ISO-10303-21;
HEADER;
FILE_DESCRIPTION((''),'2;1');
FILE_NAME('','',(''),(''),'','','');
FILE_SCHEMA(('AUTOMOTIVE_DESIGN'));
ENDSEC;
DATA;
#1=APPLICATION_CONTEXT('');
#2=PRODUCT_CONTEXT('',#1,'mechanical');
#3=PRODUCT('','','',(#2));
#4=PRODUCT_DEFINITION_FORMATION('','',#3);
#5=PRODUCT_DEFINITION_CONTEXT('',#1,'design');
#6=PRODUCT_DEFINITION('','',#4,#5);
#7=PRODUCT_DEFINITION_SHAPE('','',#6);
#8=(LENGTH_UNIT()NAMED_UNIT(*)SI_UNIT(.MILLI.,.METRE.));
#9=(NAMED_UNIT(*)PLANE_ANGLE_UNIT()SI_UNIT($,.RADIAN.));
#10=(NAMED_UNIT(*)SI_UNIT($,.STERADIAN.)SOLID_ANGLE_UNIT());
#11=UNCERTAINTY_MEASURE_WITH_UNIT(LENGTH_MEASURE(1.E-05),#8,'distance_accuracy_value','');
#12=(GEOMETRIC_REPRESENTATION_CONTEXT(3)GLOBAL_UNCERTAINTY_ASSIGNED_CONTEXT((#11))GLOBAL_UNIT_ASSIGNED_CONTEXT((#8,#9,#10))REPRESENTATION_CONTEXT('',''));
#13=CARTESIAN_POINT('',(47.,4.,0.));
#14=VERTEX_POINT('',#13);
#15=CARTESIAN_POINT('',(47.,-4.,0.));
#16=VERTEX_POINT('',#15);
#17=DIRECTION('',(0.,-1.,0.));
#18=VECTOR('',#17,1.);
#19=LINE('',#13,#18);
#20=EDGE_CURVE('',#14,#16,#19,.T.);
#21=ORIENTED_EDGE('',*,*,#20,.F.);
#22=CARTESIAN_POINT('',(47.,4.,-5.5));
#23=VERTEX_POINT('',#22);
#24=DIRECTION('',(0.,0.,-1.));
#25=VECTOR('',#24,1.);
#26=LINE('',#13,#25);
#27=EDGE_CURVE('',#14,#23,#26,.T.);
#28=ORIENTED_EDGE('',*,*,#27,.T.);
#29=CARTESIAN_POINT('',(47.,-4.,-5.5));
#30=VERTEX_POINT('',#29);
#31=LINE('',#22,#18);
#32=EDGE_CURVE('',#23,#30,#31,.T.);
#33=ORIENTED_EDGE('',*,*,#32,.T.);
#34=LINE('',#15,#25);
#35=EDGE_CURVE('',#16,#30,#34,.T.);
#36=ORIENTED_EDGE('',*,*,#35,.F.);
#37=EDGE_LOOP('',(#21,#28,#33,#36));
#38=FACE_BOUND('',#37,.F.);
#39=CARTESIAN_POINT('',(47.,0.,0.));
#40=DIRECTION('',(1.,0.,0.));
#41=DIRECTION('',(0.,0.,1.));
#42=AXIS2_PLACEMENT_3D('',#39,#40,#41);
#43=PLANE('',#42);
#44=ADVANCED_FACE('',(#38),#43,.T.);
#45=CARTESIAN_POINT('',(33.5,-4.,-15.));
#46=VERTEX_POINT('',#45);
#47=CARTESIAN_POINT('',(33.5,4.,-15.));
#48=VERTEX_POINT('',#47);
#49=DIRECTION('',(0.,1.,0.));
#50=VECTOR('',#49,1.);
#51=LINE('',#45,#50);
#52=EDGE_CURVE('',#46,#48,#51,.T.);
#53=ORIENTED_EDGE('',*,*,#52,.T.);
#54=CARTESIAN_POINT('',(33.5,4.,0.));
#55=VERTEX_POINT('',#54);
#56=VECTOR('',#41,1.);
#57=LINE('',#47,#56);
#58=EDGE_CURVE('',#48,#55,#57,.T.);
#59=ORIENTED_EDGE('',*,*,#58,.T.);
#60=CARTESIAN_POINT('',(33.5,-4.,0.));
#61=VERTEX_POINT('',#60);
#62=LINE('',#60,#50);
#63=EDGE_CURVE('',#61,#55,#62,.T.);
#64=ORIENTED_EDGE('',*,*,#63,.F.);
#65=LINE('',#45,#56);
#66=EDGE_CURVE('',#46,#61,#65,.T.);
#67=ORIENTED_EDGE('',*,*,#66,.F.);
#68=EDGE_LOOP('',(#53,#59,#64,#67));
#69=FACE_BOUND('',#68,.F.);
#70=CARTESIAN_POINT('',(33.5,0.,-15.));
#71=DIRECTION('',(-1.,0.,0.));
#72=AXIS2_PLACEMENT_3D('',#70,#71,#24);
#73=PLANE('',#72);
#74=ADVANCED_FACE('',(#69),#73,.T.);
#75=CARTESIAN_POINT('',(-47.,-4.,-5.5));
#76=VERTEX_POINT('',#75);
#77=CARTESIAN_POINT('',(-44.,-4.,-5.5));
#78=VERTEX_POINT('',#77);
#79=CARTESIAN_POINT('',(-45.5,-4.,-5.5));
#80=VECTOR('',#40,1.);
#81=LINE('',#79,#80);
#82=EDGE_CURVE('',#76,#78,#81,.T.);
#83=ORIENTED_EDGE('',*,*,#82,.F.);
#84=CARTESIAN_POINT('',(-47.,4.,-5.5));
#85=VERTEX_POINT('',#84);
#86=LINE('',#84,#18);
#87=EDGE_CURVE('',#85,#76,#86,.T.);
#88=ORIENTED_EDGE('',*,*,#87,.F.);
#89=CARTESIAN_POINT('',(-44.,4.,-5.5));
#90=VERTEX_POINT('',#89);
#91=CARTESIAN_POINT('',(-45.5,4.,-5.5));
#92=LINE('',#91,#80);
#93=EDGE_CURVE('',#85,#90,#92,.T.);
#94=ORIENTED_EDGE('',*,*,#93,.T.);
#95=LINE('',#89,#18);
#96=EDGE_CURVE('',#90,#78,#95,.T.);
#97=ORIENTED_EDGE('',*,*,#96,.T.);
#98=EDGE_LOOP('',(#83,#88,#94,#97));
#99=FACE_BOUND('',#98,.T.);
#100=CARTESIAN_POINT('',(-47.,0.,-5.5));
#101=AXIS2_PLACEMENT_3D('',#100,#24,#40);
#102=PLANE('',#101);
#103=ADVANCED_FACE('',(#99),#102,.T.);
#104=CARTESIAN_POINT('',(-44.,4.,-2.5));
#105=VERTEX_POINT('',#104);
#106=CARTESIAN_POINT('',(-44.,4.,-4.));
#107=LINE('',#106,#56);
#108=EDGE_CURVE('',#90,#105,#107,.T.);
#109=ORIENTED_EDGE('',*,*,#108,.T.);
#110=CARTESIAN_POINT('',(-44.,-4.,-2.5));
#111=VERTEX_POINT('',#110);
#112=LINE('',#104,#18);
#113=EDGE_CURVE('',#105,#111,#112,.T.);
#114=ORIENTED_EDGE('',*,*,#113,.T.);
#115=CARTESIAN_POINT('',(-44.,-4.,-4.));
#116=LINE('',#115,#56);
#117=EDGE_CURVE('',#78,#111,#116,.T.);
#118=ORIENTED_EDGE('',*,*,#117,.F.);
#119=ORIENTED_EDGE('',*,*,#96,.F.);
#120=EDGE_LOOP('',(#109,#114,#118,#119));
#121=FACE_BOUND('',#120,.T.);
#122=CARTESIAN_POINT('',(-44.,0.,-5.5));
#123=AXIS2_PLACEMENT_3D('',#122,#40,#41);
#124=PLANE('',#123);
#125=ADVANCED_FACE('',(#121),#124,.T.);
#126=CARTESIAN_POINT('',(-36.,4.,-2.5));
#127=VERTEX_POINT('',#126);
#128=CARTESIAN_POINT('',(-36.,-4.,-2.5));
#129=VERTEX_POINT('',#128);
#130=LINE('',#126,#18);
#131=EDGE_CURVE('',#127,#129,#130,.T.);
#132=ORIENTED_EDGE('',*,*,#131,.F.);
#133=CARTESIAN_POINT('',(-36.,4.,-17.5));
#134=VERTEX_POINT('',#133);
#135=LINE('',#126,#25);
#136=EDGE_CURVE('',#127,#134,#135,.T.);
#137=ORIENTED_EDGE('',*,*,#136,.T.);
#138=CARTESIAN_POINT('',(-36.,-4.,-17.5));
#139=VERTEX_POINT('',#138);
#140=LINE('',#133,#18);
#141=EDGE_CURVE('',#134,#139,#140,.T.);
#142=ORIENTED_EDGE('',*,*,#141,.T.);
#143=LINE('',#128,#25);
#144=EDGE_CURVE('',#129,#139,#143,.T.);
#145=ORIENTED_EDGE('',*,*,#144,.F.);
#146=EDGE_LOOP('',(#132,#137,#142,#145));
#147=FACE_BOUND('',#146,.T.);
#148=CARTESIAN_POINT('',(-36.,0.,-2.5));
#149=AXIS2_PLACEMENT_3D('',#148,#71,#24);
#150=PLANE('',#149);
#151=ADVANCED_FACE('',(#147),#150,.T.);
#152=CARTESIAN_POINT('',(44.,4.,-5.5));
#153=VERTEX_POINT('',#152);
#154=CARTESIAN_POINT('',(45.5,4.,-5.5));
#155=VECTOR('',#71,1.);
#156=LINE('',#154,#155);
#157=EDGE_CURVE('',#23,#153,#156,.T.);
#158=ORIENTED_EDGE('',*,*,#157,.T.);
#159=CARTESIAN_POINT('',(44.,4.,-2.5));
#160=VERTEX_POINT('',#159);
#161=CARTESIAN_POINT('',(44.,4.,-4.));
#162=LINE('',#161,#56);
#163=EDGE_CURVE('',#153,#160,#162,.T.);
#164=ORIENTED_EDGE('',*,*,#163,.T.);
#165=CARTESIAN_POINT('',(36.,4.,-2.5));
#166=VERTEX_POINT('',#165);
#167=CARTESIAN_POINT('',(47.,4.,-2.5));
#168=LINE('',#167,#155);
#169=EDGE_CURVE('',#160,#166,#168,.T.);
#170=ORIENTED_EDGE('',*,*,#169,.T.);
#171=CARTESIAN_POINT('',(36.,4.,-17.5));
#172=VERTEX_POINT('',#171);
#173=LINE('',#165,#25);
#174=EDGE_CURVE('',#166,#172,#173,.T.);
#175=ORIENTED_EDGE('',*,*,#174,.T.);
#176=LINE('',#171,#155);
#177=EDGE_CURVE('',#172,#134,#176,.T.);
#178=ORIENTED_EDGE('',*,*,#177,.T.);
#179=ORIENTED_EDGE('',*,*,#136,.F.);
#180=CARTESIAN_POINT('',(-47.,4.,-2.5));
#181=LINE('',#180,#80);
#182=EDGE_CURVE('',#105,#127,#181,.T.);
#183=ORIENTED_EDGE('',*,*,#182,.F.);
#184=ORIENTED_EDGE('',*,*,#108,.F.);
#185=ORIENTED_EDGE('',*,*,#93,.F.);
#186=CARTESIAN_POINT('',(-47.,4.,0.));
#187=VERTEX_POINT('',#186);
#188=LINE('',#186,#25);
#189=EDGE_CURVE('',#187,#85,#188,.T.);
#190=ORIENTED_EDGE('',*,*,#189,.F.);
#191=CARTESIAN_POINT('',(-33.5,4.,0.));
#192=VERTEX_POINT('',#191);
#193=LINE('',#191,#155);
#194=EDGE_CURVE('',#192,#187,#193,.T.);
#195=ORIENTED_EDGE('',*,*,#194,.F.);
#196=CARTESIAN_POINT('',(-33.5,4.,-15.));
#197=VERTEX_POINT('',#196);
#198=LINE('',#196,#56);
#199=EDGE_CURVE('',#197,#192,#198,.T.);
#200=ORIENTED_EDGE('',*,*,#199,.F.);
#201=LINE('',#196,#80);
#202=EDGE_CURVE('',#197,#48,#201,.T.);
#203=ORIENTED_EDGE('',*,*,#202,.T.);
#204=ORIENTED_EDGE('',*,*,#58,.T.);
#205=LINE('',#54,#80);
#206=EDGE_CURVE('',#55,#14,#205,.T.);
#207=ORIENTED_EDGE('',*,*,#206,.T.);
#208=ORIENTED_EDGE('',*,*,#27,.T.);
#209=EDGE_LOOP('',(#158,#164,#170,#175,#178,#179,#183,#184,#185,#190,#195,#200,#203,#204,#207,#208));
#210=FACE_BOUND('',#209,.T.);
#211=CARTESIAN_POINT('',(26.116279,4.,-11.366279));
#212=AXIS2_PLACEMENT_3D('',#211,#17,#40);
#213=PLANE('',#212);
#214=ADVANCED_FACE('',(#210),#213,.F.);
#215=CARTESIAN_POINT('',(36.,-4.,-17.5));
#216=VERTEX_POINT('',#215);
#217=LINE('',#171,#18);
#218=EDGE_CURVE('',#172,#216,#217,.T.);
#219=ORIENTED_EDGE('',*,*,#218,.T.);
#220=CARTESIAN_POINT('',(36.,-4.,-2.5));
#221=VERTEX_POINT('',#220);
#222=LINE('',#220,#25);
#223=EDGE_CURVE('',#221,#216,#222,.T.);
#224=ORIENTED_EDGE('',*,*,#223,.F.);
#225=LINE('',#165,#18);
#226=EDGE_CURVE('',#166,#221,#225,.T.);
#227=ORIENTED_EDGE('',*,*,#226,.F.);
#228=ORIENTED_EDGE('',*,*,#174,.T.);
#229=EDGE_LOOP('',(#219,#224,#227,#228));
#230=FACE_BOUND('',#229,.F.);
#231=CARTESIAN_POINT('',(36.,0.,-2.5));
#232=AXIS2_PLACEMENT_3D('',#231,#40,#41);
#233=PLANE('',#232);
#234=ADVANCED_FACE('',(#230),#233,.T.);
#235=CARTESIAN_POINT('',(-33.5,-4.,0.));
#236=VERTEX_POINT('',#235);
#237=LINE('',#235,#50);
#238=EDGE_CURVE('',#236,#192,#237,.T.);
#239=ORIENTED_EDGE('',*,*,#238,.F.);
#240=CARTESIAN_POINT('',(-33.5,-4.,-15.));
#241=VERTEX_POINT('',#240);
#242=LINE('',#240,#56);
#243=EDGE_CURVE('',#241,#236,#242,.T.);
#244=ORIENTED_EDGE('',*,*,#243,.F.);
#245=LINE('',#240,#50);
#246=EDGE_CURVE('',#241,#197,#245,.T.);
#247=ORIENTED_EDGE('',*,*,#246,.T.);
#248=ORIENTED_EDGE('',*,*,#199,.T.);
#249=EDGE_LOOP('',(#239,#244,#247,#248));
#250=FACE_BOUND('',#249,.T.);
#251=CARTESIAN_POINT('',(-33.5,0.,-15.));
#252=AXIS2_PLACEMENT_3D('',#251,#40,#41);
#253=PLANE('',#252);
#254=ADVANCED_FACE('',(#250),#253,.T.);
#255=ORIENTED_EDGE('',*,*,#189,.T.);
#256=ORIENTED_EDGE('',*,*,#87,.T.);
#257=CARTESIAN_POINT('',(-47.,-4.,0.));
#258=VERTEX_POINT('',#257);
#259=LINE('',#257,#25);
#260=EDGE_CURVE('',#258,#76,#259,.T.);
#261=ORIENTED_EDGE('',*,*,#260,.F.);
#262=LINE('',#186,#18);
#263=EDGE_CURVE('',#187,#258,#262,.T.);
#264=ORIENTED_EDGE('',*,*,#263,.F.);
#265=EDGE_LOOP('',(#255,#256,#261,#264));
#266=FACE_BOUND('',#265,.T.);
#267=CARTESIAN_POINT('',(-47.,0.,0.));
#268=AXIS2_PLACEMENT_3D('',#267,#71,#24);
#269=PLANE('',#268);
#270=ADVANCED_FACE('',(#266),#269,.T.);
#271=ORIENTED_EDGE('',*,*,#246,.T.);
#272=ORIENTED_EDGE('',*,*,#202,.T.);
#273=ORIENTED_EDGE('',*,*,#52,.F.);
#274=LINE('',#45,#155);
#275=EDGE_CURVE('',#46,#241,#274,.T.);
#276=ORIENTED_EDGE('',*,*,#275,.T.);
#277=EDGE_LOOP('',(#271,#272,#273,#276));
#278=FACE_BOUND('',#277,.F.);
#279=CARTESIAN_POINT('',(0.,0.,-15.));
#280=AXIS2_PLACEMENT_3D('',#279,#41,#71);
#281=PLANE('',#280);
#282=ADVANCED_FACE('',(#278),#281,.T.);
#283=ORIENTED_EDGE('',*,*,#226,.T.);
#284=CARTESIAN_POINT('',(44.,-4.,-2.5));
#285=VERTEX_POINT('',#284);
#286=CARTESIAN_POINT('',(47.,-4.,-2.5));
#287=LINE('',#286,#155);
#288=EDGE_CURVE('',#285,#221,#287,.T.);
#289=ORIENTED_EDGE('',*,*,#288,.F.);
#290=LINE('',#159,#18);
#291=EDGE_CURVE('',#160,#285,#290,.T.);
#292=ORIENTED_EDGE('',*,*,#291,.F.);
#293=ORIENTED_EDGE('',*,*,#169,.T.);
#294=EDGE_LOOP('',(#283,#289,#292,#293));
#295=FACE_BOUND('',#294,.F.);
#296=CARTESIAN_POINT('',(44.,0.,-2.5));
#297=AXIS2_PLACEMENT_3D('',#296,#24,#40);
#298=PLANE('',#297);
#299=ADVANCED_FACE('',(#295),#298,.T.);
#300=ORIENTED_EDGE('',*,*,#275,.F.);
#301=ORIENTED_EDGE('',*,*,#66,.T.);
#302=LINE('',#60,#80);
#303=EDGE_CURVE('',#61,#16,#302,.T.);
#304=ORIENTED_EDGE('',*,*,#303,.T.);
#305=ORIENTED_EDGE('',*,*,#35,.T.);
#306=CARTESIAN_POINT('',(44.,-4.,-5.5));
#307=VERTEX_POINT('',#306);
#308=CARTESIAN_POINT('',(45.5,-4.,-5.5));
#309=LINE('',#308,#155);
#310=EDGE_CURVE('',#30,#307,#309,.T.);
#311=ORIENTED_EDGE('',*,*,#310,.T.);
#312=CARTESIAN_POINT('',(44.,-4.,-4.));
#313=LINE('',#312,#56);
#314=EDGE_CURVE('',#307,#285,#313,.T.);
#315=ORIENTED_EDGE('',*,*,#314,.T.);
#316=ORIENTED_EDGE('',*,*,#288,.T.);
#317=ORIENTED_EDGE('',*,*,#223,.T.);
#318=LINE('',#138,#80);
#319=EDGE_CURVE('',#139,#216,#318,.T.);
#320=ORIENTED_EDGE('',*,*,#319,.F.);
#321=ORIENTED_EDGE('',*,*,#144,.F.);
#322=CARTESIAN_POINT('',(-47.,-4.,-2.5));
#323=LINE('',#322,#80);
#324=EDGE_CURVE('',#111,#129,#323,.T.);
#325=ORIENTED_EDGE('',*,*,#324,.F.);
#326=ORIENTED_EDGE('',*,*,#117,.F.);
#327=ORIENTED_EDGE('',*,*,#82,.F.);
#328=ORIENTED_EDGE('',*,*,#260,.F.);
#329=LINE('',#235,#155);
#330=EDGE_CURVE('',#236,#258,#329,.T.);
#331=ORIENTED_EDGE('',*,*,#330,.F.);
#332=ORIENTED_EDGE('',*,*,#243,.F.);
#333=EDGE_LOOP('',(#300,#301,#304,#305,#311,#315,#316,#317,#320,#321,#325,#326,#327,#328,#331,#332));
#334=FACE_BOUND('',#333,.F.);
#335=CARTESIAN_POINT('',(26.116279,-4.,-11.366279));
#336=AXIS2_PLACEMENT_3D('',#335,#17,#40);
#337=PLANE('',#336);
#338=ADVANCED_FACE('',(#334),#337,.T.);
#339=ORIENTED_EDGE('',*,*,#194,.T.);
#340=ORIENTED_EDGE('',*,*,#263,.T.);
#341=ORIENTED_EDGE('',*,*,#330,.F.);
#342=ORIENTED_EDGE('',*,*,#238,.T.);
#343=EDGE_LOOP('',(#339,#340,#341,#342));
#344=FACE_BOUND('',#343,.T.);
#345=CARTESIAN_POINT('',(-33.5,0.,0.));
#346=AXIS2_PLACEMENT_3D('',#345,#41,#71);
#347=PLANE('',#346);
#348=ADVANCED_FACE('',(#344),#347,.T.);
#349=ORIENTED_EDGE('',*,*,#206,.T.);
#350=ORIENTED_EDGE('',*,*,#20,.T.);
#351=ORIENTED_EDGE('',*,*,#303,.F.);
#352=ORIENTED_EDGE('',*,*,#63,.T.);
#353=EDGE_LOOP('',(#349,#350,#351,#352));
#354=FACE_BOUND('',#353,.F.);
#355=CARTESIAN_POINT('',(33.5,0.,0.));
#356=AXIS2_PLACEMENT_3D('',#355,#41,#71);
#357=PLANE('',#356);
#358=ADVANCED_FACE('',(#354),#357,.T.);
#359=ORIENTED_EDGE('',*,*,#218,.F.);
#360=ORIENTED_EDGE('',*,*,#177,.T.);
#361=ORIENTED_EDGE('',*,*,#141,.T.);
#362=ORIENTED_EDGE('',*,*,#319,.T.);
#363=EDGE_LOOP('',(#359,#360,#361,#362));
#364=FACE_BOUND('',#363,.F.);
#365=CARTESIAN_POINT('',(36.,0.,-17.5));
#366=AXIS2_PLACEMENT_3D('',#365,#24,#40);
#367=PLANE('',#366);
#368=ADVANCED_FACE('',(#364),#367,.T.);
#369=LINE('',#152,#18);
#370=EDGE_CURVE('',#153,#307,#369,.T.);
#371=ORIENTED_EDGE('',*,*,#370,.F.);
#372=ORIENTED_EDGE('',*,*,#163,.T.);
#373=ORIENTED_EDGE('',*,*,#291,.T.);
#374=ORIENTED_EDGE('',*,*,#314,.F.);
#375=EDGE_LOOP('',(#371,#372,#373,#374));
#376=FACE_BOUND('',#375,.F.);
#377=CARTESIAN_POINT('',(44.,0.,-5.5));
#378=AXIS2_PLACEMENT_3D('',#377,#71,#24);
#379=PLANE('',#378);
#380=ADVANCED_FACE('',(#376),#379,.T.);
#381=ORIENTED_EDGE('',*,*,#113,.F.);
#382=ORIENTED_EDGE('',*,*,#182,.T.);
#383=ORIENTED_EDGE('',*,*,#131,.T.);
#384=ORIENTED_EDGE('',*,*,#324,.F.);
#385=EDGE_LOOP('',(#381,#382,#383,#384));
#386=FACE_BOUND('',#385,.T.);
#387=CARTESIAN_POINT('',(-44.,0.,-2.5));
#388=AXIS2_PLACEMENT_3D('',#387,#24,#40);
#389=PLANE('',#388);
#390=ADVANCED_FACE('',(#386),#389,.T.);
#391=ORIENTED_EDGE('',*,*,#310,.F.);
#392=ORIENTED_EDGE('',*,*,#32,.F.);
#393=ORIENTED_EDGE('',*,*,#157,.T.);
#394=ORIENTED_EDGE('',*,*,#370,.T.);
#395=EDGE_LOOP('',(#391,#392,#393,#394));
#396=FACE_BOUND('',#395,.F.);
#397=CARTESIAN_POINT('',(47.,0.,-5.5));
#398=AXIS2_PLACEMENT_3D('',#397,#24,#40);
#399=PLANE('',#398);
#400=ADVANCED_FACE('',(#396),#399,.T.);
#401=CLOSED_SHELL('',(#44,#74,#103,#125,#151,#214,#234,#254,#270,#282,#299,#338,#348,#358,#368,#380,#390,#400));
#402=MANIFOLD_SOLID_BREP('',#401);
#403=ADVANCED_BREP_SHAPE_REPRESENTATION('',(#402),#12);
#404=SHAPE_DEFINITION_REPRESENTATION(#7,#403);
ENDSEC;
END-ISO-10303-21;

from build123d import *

# Parameters (mm, degrees)
F0_W     = 3
F0_H     = 3
F1_DEPTH = 4


with BuildPart() as f1:
    # F0 (on Front) → F1 (new body, symmetric)
    with BuildSketch(Plane.XZ):
        Polygon((-33.5, 0), (-47, 0), (-47, -2.5), (-44, -2.5), (-36, -2.5), (-36, -17.5), (0, -17.5), (0, -15), (-33.5, -15), align=None)
        with Locations((-45.5, -4)):
            Rectangle(F0_W, F0_H)
    extrude(amount=F1_DEPTH, both=True)

    # F3: F1 across plane


with BuildPart() as f1_1:
    add(f1.part)
    add(f1.part.mirror(Plane.YZ))


solid = f1_1.part
